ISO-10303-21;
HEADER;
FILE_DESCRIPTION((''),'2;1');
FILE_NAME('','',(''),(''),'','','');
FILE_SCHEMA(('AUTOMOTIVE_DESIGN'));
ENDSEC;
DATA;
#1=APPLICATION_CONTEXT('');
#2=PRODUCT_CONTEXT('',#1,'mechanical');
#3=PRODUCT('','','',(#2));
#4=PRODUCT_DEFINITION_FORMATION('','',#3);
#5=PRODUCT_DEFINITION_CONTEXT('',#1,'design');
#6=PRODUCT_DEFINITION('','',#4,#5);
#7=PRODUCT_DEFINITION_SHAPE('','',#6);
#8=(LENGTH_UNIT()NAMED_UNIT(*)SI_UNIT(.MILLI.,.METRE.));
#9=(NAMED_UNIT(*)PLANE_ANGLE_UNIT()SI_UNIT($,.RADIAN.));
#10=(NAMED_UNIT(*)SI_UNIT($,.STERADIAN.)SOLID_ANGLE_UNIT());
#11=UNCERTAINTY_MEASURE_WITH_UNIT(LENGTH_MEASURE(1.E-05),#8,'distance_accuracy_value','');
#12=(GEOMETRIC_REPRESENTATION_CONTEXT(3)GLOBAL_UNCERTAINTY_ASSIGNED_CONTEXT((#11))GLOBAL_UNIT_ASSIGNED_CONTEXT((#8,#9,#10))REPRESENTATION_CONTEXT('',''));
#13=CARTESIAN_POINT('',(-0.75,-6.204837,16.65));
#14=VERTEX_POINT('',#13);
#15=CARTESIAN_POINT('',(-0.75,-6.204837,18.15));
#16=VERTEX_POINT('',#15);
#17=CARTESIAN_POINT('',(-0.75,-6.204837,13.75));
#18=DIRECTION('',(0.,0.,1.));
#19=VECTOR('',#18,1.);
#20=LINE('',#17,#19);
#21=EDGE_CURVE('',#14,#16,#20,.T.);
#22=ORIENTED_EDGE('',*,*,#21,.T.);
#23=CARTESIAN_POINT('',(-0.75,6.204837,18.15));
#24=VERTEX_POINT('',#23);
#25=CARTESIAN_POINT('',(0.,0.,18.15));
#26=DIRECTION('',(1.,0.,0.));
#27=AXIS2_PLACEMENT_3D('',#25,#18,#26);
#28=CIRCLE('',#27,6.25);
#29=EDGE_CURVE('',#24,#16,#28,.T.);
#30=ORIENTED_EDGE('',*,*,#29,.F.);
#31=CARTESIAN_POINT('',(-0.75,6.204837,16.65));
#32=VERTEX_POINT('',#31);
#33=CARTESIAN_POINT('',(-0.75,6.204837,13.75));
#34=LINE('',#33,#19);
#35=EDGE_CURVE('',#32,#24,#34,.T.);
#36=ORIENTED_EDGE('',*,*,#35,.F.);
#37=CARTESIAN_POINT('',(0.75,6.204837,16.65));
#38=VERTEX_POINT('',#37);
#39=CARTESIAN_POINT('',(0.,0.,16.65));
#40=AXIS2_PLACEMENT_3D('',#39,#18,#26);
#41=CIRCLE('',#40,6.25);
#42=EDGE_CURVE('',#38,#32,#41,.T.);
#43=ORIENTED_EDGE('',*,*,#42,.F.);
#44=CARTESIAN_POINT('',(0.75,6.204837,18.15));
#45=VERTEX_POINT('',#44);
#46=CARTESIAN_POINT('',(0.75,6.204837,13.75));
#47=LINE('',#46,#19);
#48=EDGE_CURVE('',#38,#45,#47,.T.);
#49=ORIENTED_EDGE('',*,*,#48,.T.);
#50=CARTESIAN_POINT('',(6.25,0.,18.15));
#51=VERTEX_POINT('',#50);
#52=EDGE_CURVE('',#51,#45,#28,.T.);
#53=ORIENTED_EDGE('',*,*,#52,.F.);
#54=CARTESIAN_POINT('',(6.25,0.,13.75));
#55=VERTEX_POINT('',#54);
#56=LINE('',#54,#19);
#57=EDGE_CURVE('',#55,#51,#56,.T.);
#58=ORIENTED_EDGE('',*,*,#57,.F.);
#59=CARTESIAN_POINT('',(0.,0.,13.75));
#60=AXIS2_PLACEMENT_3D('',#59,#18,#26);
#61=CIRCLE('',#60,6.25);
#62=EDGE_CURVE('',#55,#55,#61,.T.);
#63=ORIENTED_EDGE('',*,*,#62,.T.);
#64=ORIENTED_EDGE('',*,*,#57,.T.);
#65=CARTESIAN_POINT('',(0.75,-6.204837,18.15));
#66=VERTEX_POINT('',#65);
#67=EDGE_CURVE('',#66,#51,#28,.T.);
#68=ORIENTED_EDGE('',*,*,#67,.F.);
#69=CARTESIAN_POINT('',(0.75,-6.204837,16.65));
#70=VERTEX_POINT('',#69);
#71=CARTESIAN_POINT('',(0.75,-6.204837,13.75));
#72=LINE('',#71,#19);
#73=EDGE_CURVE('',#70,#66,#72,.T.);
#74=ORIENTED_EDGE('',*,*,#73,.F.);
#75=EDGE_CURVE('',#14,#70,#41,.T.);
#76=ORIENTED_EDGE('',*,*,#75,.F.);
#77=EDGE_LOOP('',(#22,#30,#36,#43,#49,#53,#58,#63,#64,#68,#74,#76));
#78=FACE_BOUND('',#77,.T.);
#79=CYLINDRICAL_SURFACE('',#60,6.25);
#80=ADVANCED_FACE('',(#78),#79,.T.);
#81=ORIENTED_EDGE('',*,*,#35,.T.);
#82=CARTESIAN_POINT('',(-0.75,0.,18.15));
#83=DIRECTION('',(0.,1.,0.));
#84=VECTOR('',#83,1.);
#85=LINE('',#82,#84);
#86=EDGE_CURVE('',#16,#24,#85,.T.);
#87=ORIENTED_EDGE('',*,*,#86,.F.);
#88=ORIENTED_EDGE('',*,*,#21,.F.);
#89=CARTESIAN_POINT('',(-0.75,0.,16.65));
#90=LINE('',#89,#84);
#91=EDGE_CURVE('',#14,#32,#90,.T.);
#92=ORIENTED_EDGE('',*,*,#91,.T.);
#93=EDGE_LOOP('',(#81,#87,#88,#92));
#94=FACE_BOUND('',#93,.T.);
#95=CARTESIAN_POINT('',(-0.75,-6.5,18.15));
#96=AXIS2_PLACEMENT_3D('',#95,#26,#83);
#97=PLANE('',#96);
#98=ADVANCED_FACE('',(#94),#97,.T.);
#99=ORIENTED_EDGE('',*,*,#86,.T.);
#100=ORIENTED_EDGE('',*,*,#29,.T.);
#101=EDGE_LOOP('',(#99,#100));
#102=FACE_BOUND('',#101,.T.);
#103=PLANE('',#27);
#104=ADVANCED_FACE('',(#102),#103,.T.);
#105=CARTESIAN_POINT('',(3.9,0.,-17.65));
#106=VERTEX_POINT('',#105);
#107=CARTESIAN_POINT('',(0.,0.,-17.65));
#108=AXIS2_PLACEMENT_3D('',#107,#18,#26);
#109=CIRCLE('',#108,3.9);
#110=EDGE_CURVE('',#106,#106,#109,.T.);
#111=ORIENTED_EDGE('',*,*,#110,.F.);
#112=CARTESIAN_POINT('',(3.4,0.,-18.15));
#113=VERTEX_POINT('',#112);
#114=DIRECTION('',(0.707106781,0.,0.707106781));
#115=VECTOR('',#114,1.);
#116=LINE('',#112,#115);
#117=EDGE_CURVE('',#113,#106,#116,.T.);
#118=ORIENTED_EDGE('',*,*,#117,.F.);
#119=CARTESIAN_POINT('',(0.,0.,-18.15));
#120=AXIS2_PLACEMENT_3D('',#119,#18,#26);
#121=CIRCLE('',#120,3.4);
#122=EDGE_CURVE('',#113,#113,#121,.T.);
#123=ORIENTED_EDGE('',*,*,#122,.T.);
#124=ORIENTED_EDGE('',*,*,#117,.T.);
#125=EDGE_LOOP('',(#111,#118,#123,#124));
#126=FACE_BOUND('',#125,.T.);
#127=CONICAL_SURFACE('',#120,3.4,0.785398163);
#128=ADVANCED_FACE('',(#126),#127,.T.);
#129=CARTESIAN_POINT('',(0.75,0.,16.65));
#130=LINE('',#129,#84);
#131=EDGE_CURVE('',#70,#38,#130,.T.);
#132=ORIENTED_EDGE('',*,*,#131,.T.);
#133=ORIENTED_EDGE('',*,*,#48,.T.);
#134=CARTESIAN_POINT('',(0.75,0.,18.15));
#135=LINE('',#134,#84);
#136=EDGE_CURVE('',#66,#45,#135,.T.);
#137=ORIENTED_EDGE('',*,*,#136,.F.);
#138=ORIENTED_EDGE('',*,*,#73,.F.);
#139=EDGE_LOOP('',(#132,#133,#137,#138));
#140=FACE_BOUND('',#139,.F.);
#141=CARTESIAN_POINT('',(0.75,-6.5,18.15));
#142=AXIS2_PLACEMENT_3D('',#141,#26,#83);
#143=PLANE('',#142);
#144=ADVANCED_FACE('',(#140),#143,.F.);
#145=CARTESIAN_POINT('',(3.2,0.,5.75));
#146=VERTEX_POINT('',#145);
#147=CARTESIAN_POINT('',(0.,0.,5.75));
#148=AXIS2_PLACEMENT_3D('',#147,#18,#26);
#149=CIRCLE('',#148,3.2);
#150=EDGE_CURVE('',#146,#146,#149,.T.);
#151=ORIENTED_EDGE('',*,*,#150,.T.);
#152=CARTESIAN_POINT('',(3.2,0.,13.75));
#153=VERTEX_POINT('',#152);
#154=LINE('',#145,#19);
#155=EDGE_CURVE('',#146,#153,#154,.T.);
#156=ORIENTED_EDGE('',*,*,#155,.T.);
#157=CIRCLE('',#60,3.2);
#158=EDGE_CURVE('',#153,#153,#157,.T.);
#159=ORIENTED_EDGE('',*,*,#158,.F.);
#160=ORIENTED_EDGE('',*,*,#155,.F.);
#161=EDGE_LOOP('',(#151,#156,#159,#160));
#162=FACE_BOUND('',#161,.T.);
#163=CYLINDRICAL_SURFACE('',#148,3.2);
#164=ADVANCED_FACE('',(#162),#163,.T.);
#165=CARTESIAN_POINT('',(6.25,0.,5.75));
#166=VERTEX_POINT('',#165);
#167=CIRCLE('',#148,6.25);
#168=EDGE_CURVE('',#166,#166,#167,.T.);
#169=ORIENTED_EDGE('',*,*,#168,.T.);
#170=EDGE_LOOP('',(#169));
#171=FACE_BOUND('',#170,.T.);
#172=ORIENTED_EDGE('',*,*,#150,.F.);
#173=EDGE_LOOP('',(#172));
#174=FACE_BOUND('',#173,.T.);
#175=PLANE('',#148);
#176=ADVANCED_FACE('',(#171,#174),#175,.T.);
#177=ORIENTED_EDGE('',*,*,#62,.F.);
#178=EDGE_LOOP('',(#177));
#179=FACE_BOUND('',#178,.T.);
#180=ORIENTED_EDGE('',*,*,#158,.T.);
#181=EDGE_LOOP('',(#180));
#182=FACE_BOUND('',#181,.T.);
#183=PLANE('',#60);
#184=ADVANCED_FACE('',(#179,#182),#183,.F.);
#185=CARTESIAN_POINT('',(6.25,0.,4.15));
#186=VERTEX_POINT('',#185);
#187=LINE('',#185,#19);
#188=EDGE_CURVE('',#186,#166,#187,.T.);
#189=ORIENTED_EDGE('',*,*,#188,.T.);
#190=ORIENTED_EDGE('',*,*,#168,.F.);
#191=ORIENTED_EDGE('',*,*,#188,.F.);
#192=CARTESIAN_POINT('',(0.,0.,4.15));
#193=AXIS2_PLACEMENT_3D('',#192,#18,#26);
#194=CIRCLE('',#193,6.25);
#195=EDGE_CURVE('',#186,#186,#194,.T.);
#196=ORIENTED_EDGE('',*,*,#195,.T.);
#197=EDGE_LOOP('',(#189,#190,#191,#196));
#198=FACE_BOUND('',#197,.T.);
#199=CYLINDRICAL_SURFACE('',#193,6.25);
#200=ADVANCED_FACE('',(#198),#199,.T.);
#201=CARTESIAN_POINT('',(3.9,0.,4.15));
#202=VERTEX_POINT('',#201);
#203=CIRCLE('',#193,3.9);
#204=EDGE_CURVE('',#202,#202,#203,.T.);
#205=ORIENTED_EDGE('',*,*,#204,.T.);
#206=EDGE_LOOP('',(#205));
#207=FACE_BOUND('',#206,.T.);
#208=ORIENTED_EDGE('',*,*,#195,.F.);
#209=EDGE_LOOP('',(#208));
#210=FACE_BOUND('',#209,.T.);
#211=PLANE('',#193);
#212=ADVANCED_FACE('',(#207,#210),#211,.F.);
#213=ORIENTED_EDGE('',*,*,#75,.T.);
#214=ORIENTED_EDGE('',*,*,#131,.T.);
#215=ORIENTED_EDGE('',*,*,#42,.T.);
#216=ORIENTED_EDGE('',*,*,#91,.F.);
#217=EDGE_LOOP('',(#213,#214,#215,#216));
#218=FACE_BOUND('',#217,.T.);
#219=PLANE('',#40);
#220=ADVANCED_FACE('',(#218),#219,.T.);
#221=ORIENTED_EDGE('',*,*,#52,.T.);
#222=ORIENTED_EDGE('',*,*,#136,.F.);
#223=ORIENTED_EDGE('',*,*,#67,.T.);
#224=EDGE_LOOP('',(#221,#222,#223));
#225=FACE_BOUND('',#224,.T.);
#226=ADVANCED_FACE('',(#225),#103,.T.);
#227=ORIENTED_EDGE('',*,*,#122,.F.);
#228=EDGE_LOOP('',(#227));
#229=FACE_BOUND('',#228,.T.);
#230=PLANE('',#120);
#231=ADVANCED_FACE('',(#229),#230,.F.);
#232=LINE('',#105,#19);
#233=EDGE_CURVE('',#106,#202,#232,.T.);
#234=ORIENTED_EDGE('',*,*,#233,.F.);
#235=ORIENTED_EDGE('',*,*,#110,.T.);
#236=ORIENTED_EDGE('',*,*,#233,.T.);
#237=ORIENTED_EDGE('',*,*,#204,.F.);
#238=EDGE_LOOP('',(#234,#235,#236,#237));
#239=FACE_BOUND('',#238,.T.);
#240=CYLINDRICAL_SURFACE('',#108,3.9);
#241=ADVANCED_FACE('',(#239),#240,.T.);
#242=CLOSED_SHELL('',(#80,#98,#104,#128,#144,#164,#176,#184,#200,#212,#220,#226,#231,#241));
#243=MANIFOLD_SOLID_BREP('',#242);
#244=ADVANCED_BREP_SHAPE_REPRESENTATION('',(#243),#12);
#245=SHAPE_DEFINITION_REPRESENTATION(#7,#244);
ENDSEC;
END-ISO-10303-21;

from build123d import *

# Parameters (mm, degrees)
F2_W     = 1.5
F2_H     = 13
F3_DEPTH = 1.5


with BuildPart() as f1:
    # F0 (on Front) → F1 (revolve)
    with BuildSketch(Plane.XZ):
        Polygon((0, 18.15), (0, -18.15), (3.4, -18.15), (3.9, -17.65), (3.9, 4.15), (6.25, 4.15), (6.25, 5.75), (3.2, 5.75), (3.2, 13.75), (6.25, 13.75), (6.25, 18.15), align=None)
    revolve(axis=Axis((0, 0, 0), (0, 0, 1)))

    # F2 (on face) → F3 (cut)
    with BuildSketch(Plane.XY.offset(18.15)):
        Rectangle(F2_W, F2_H)
    extrude(amount=-F3_DEPTH, mode=Mode.SUBTRACT)


solid = f1.part
